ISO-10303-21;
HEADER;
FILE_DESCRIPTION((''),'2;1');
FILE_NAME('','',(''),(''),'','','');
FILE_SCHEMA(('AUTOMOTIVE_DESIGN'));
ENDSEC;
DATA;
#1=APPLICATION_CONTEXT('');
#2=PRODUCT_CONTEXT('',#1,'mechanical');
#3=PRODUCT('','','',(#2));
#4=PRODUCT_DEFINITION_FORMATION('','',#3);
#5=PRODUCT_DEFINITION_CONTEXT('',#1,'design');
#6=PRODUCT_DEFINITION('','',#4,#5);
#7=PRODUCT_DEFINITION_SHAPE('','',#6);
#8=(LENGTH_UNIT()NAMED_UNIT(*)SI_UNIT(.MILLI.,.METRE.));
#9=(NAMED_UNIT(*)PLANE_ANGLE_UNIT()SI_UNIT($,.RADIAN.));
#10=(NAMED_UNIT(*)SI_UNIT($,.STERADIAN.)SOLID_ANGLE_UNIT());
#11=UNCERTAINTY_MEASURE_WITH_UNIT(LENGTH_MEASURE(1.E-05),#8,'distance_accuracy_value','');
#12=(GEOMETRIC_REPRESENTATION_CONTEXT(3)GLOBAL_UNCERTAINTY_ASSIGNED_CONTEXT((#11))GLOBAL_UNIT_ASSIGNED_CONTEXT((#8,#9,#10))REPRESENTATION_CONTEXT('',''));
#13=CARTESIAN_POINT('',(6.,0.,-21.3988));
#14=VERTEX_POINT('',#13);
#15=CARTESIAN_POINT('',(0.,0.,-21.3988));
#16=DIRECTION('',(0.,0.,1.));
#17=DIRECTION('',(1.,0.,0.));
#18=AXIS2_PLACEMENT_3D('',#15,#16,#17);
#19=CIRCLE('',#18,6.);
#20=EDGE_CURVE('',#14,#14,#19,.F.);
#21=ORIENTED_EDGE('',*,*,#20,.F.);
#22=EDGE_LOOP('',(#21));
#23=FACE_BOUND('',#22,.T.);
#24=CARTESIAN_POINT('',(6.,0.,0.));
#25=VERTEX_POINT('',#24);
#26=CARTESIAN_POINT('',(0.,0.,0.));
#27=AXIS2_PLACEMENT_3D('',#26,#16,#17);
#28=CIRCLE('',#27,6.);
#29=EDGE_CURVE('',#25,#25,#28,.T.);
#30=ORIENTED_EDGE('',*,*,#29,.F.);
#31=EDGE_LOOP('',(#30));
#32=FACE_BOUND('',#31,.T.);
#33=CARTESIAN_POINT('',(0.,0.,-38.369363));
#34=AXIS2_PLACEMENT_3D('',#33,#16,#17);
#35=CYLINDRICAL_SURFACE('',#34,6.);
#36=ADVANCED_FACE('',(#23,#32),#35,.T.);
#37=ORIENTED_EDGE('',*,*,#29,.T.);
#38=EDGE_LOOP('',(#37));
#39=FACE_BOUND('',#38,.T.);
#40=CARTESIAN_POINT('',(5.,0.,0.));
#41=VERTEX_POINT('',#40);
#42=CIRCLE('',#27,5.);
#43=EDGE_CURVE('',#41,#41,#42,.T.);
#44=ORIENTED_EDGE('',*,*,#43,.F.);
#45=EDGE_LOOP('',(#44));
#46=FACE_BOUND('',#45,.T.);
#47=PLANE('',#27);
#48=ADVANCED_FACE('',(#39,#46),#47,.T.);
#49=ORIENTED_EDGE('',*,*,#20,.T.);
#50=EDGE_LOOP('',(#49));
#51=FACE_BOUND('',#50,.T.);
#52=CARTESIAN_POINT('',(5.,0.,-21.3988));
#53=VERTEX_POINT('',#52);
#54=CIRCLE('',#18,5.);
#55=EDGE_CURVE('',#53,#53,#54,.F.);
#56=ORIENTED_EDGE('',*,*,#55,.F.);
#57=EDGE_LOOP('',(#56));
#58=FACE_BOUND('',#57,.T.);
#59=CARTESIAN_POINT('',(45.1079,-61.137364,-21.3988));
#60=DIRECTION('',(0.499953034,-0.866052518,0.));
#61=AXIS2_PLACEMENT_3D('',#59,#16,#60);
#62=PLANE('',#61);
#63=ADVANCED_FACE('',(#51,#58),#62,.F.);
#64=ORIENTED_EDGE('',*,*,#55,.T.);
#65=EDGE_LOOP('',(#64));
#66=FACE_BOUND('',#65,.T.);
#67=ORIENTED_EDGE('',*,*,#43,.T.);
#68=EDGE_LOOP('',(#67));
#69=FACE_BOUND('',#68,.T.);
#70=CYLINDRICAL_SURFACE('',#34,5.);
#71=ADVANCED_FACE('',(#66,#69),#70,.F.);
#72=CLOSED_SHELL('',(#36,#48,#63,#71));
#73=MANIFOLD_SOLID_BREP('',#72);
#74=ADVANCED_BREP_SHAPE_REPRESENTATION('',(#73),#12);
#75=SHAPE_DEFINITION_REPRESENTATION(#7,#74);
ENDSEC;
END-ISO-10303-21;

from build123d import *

# Parameters (mm, degrees)
SKETCH1_R           = 6
SKETCH1_R_2         = 5
BOSS_EXTRUDE1_DEPTH = 21.3988


with BuildPart() as part:
    # Sketch1 → Boss-Extrude1 (new body)
    with BuildSketch(Plane.XY):
        Circle(SKETCH1_R)
        Circle(SKETCH1_R_2, mode=Mode.SUBTRACT)
    extrude(amount=-BOSS_EXTRUDE1_DEPTH)


solid = part.part
